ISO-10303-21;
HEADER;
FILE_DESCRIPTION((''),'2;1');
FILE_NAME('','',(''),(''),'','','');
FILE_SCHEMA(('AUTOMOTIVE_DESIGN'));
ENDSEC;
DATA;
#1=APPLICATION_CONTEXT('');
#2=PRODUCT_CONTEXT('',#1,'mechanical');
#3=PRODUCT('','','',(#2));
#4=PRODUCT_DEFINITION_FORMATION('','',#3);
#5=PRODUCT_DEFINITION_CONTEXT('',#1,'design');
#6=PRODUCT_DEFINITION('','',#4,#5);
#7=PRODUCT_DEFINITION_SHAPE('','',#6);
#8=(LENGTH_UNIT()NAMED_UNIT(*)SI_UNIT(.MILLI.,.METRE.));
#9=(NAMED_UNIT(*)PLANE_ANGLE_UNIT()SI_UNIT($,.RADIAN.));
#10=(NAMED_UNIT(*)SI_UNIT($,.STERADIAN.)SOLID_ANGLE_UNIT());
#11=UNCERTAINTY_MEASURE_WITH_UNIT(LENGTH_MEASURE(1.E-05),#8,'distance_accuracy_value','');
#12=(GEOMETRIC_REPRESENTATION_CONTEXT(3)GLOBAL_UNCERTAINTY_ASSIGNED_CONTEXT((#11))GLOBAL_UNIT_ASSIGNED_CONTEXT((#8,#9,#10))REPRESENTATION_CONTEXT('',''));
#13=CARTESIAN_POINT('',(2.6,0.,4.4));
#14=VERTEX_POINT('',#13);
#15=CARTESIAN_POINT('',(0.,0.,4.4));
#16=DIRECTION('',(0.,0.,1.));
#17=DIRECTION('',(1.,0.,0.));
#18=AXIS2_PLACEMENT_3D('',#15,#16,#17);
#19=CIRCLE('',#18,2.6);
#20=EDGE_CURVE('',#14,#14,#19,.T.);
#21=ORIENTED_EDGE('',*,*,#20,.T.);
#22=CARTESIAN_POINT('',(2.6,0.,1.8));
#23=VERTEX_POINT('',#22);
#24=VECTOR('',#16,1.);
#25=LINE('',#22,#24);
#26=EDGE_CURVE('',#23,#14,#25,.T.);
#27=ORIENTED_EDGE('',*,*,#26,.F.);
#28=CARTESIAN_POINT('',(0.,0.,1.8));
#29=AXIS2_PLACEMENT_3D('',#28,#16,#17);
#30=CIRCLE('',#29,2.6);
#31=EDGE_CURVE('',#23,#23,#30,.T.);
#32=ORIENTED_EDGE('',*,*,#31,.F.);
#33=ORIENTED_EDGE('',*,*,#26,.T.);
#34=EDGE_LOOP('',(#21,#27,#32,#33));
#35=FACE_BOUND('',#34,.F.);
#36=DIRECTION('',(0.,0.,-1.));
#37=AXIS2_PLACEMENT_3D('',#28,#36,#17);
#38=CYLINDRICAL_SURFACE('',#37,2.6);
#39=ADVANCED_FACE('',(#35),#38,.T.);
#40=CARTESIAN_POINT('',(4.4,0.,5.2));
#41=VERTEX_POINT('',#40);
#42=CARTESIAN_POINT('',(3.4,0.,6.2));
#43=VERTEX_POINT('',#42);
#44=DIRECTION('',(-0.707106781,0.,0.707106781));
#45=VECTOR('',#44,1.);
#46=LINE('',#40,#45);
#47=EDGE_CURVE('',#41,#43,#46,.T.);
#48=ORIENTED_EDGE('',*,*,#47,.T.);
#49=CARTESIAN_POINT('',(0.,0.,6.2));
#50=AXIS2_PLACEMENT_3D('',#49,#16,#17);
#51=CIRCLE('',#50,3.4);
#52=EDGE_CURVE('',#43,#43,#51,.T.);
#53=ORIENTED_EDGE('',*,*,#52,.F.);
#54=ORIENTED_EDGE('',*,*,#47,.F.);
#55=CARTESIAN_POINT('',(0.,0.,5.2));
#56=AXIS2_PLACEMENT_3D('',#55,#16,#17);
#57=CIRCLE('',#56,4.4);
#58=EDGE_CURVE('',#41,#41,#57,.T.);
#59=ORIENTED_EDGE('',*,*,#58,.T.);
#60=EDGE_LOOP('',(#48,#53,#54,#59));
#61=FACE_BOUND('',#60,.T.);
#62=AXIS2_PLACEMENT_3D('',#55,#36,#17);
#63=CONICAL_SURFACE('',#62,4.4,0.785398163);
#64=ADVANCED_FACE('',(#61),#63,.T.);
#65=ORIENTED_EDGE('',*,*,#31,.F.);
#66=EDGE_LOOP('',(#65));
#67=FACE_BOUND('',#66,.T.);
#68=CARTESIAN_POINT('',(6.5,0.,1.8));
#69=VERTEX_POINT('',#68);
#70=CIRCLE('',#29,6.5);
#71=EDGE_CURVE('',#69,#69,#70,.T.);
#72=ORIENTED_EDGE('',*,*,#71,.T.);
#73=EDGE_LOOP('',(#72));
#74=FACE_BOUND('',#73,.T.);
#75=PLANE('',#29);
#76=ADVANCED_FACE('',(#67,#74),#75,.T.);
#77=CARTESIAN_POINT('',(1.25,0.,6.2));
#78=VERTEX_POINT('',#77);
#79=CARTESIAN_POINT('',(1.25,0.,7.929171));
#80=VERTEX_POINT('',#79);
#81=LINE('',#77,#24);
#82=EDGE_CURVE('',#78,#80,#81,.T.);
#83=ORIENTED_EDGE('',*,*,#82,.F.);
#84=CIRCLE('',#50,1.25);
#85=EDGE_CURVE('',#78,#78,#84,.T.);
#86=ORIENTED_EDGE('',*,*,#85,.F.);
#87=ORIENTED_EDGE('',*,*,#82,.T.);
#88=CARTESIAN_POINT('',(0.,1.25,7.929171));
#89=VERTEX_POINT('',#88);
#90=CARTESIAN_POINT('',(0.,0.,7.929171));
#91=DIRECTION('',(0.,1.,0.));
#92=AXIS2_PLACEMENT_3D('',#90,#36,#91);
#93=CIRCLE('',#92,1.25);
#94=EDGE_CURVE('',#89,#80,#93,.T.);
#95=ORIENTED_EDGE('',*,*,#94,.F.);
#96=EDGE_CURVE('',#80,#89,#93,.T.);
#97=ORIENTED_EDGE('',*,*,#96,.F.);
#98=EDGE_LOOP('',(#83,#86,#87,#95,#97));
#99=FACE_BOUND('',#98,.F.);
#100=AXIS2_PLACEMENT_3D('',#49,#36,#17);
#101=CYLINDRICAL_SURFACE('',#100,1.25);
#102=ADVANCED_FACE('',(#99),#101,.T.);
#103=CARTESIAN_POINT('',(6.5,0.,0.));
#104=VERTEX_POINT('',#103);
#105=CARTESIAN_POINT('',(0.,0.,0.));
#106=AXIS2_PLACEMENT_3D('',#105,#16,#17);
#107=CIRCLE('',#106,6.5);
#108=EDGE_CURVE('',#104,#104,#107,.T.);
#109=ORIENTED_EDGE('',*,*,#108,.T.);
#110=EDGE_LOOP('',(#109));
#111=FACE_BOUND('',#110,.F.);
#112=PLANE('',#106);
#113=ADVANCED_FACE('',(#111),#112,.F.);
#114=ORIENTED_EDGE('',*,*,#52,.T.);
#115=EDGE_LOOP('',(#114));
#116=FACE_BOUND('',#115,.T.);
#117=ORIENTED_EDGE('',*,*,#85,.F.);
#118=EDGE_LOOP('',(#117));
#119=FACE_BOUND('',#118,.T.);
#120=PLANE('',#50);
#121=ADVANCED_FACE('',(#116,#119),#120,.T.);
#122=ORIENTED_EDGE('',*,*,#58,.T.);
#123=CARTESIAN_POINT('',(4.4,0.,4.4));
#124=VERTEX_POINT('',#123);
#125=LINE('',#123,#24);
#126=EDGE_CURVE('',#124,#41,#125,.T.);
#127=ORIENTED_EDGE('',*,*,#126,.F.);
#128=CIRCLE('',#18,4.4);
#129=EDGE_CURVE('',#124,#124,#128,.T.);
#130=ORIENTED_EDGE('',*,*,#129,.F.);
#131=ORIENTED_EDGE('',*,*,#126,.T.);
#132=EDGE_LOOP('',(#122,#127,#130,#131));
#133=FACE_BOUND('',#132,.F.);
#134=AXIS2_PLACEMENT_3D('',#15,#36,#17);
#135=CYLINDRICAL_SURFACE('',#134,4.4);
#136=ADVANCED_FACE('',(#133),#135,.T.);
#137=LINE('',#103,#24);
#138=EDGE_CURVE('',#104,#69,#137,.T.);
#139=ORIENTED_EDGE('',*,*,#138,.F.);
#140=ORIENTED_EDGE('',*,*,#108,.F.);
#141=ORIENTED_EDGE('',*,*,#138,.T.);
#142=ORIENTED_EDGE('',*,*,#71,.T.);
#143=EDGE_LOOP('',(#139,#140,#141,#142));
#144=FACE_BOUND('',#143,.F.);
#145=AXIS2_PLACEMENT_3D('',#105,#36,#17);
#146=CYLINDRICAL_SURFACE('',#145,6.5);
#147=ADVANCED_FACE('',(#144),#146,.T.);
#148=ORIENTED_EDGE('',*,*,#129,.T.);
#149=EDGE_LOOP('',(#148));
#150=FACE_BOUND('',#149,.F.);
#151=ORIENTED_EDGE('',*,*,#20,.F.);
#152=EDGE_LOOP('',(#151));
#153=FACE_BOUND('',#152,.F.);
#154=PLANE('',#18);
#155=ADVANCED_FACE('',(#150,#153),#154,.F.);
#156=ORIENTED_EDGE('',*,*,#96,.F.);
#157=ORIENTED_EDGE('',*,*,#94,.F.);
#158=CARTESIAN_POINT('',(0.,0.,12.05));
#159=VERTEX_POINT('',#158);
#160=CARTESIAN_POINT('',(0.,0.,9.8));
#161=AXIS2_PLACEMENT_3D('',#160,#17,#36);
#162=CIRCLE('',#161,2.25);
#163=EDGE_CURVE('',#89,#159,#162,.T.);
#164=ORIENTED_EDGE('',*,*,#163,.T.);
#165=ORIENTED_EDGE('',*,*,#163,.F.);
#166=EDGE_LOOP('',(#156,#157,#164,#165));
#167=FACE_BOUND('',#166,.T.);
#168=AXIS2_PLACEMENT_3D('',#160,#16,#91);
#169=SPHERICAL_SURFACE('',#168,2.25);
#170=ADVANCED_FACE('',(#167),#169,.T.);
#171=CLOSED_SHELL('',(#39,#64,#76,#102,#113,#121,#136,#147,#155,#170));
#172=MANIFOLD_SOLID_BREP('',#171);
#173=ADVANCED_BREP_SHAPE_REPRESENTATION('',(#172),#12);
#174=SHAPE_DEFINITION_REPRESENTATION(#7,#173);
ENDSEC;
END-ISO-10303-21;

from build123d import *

# Parameters (mm, degrees)
F0_R     = 6.5
F1_DEPTH = 1.8
F2_R     = 2.6
F4_DEPTH = 2.6
F5_R     = 4.4
F6_DEPTH = 1.8
F7_SIZE  = 1
F8_R     = 1.25
F9_DEPTH = 1.8


with BuildPart() as f1:
    # F0 (on Top) → F1 (new body)
    with BuildSketch(Plane.XY):
        Circle(F0_R)
    extrude(amount=F1_DEPTH)

    # F2 (on face) → F4 (join)
    with BuildSketch(Plane.XY.offset(1.8)):
        Circle(F2_R)
    extrude(amount=F4_DEPTH)

    # F5 (on face) → F6 (join, through all)
    with BuildSketch(Plane.XY.offset(4.4)):
        Circle(F5_R)
    extrude(amount=F6_DEPTH)

    # F7
    f7_edges = [f1.edges().sort_by_distance(p)[0] for p in [
        (-4.4, 0, 6.2),
    ]]
    chamfer(f7_edges, length=F7_SIZE)

    # F8 (on face) → F9 (join)
    with BuildSketch(Plane.XY.offset(6.2)):
        Circle(F8_R)
    extrude(amount=F9_DEPTH)

    # F10 (on Right) → F11 (revolve)
    with BuildSketch(Plane.YZ):
        with BuildLine():
            Line((0, 12.05), (0, 7.55))
            ThreePointArc((0, 7.55), (2.25, 9.8), (0, 12.05))
        make_face()
    revolve(axis=Axis((0, 0, 9.8), (0, 0, 1)))


solid = f1.part
